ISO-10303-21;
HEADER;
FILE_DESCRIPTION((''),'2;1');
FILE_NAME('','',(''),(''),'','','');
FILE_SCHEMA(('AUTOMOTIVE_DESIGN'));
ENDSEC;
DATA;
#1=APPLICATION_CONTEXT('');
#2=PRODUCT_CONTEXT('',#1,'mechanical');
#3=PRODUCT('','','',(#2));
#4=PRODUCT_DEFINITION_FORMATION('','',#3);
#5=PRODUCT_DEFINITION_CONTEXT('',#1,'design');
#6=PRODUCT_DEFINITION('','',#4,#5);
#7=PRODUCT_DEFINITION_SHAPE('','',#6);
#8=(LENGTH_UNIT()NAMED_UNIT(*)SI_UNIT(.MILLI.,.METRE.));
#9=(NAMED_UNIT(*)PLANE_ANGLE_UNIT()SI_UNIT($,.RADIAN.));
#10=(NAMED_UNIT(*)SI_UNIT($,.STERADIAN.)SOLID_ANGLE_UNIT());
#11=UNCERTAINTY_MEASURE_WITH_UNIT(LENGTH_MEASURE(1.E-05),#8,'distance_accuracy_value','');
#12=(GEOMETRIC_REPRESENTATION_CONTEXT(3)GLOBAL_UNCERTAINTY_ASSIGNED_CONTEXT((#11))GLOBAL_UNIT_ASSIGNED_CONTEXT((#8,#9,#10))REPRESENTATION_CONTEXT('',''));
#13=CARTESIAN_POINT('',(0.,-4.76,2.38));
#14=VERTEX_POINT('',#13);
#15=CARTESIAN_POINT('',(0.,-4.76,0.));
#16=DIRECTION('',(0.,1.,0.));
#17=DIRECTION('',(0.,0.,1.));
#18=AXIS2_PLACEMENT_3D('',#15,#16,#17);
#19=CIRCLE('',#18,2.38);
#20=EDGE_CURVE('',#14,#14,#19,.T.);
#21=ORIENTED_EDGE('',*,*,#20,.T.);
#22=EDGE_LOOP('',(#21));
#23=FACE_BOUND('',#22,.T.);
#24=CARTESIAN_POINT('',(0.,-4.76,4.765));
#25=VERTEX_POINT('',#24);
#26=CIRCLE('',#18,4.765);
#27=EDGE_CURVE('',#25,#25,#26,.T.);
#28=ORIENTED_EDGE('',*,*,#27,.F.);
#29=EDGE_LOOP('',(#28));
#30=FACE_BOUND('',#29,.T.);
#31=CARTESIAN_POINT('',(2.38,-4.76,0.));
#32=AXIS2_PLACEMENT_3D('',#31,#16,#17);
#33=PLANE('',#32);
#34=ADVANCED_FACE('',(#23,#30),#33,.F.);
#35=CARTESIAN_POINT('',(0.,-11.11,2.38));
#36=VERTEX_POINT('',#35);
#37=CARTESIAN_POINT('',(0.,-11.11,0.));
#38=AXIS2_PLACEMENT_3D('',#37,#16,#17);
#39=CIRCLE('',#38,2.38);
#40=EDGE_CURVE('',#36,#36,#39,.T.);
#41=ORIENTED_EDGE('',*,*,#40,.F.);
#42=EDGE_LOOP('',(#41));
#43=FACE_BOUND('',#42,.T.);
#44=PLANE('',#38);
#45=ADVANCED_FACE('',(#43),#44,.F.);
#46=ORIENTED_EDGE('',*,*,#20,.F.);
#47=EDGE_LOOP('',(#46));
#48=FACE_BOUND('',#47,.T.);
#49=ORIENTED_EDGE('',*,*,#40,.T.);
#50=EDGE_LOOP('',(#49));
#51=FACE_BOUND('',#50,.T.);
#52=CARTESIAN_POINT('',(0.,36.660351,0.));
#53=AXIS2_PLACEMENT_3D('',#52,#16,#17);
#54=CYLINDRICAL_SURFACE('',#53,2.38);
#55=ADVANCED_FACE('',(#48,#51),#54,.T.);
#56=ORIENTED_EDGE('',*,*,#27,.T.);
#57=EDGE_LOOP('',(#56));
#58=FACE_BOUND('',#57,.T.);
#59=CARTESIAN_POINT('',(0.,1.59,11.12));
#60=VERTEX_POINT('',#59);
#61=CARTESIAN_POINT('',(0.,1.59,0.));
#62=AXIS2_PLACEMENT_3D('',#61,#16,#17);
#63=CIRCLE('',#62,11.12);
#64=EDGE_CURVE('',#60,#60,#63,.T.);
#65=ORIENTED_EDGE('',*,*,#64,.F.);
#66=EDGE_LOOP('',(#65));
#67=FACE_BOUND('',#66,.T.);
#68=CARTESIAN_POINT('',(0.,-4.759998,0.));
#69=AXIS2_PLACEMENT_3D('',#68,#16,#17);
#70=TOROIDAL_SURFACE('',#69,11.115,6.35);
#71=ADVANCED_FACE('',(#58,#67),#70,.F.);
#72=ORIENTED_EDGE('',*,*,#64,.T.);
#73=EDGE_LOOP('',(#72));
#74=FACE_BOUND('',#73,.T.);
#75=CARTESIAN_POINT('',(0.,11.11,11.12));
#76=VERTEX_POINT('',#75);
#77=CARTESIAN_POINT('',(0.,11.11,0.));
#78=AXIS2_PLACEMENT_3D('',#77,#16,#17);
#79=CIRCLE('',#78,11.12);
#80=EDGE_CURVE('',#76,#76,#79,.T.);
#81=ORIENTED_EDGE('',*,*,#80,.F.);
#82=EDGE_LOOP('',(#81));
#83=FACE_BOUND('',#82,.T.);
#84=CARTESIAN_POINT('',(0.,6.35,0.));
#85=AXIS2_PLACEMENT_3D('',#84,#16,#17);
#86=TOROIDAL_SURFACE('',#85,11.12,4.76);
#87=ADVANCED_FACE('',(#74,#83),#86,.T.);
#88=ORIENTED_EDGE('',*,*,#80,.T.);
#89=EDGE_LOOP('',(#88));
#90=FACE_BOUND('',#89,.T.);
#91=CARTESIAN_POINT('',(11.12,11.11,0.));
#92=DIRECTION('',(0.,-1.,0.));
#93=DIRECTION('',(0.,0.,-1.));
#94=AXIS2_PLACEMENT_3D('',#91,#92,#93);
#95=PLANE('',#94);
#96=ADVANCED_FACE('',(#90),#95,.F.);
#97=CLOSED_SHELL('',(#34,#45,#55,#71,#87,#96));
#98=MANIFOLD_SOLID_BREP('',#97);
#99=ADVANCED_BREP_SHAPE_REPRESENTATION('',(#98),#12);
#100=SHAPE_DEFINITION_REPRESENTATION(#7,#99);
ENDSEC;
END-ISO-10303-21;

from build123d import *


with BuildPart() as part:
    # Sketch1 → Revolve1 (revolve)
    with BuildSketch(Plane.XY):
        with BuildLine():
            Line((11.12, 11.11), (0, 11.11))
            Line((0, 11.11), (0, -11.11))
            Line((0, -11.11), (2.38, -11.11))
            Line((2.38, -11.11), (2.38, -4.76))
            Line((2.38, -4.76), (4.765, -4.76))
            ThreePointArc((4.765, -4.76), (6.626639358, -0.268103248), (11.12, 1.59))
            ThreePointArc((11.12, 1.59), (15.88, 6.35), (11.12, 11.11))
        make_face()
    revolve(axis=Axis((0, 36.660350877, 0), (0, -1, 0)))


solid = part.part
